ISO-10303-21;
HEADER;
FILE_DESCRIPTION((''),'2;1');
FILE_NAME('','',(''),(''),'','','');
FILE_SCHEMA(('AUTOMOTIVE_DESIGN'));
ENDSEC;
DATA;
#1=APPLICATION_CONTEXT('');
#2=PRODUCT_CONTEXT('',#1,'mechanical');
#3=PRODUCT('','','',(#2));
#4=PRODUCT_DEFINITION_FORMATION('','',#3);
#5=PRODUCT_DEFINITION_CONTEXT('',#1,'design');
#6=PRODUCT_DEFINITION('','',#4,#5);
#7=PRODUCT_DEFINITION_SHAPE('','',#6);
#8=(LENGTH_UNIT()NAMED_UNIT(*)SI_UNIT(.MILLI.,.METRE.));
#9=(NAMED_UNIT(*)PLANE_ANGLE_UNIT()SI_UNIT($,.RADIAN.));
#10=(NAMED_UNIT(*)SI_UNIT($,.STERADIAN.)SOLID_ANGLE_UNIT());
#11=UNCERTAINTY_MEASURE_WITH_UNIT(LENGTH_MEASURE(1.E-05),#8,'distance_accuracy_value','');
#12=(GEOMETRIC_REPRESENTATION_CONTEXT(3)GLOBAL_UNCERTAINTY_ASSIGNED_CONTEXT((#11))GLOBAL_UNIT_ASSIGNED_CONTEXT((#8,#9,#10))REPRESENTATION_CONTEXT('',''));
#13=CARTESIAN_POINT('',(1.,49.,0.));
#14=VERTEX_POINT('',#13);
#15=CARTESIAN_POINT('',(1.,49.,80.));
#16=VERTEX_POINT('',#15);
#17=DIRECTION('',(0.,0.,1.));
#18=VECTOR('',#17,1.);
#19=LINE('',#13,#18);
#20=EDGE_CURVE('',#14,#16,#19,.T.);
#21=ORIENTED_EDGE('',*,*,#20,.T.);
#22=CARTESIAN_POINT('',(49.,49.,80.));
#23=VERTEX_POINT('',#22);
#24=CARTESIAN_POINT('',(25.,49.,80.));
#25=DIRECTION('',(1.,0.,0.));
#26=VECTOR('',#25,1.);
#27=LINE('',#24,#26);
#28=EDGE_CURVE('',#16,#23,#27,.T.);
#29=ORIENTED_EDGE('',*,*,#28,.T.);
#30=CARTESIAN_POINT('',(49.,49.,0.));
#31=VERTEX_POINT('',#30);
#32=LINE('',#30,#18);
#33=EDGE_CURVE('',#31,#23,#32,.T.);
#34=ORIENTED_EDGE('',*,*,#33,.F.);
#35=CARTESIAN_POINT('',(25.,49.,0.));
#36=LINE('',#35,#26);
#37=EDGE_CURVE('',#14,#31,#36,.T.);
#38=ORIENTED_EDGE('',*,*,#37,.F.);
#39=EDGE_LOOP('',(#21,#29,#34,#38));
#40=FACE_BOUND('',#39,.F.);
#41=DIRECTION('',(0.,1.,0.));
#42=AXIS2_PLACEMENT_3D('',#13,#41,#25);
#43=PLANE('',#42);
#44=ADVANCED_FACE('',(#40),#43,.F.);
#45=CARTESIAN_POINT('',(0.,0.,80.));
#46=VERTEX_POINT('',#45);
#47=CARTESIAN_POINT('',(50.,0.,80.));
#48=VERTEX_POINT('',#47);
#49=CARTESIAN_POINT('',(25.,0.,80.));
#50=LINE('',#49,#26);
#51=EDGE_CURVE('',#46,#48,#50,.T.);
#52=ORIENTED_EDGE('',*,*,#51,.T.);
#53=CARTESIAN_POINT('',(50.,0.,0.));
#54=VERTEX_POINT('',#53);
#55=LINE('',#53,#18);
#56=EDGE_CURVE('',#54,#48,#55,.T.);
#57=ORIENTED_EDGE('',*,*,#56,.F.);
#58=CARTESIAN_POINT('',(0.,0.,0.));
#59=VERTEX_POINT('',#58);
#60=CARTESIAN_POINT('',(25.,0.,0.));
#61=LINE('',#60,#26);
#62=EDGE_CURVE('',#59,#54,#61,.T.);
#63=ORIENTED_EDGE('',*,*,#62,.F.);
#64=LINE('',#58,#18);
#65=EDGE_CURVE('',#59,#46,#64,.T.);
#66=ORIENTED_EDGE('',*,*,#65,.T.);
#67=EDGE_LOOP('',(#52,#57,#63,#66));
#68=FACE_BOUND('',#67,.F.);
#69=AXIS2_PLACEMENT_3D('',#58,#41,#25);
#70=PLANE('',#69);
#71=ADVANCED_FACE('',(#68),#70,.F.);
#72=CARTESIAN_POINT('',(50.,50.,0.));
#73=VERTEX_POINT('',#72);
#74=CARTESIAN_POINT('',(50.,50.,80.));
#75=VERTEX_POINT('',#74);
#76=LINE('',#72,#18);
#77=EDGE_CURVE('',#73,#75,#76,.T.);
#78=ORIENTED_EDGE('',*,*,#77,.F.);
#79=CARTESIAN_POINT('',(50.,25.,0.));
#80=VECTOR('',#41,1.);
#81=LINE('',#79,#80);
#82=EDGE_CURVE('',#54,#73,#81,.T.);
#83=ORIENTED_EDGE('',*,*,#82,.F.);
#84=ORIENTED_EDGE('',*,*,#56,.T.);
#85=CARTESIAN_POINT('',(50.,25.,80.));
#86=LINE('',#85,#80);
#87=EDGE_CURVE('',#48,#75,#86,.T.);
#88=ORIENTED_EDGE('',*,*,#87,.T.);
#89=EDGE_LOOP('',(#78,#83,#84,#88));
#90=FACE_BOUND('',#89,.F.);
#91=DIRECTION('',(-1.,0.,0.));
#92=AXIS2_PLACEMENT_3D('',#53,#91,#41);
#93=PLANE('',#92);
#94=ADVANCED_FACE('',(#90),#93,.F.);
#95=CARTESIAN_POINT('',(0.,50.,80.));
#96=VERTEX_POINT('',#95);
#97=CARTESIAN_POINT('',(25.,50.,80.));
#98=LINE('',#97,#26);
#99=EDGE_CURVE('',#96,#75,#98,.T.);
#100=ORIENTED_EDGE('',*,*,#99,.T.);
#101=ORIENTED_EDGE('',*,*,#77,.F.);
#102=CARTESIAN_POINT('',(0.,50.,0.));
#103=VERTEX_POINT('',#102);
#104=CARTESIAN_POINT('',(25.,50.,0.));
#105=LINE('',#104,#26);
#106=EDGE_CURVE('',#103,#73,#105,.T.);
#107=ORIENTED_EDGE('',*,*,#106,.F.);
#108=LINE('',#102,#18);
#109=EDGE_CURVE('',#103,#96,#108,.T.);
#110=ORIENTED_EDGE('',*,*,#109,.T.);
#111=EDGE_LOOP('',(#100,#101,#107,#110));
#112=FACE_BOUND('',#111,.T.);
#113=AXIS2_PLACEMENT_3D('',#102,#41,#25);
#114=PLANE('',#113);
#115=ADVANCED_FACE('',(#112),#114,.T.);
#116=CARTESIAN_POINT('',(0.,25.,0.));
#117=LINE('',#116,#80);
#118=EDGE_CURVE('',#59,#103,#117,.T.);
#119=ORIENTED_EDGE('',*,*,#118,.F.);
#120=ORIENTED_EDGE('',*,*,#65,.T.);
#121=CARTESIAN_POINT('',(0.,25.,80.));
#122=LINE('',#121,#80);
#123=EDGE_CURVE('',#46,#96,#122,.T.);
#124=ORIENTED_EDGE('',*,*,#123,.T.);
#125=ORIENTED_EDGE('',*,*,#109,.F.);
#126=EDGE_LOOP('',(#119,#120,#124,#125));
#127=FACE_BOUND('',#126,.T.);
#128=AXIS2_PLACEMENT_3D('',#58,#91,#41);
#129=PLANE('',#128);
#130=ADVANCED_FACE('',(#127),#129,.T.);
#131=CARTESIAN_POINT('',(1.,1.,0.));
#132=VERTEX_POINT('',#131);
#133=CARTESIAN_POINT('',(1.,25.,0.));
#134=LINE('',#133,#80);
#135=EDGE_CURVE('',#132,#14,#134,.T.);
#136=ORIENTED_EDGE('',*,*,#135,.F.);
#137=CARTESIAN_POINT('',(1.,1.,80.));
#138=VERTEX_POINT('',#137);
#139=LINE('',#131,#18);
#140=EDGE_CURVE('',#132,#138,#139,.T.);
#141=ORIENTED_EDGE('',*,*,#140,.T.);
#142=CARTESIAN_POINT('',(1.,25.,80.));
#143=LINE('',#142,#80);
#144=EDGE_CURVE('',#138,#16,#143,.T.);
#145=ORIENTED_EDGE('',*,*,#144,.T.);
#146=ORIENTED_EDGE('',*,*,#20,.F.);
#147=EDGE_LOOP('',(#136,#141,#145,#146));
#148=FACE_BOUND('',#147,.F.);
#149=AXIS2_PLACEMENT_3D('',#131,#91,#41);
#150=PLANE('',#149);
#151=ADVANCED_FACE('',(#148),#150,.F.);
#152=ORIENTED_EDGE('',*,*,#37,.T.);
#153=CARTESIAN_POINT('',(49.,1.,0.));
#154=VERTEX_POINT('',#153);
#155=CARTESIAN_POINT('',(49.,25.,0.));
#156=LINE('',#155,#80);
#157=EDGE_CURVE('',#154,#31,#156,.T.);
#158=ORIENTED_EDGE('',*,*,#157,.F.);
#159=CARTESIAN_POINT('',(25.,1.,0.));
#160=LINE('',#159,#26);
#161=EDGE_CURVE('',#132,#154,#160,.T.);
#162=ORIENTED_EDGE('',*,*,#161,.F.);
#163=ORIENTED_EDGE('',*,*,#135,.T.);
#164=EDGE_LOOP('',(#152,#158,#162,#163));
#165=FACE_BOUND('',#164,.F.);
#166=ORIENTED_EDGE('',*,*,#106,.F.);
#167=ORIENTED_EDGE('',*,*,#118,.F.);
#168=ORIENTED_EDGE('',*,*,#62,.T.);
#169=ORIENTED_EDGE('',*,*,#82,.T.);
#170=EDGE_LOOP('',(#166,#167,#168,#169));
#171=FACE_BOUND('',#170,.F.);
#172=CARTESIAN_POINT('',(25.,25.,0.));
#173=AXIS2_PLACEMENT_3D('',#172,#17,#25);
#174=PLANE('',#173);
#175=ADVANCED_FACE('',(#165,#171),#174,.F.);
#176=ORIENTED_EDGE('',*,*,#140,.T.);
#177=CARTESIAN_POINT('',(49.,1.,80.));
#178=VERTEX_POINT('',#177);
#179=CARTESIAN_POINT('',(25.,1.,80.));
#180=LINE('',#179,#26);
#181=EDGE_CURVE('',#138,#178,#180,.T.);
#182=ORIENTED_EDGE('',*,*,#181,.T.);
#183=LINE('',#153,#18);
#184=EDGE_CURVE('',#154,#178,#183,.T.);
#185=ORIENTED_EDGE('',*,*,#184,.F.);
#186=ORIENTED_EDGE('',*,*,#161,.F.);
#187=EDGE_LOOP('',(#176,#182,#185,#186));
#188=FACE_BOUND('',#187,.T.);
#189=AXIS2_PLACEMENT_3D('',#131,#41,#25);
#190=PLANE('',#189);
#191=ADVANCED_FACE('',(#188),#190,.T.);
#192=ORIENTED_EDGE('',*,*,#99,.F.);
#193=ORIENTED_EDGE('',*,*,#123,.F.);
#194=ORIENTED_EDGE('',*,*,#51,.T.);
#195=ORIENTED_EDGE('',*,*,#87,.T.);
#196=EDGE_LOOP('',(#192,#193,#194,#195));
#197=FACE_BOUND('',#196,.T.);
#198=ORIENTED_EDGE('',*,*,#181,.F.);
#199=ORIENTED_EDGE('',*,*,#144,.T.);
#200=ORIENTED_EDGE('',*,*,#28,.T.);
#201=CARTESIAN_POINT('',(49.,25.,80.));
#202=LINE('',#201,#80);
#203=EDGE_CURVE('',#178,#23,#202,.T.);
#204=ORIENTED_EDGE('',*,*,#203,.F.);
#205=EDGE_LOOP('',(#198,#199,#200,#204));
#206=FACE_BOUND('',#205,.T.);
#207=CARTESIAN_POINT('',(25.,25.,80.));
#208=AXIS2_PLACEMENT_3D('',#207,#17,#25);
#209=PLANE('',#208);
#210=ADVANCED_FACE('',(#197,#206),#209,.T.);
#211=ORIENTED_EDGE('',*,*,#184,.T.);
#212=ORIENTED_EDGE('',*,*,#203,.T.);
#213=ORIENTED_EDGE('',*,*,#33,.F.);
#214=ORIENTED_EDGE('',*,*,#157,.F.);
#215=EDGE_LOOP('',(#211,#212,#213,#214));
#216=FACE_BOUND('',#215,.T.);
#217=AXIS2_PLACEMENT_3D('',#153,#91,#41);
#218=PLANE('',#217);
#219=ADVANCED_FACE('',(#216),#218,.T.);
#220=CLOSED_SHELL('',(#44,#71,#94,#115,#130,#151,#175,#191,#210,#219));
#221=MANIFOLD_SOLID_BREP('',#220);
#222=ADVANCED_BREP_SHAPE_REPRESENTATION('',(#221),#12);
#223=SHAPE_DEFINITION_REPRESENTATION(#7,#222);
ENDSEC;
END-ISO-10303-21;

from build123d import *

# Parameters (mm, degrees)
BOX001_W     = 48
BOX001_H     = 48
BOX001_DEPTH = 80
BOX_W        = 50
BOX_H        = 50
BOX_DEPTH    = 80


with BuildPart() as cubo:
    # Box001 → Box001 (new body)
    with BuildSketch(Plane(origin=(1, 1, 0), x_dir=(1, 0, 0), z_dir=(0, 0, 1))):
        with Locations((24, 24)):
            Rectangle(BOX001_W, BOX001_H)
    extrude(amount=BOX001_DEPTH)


with BuildPart() as cut:
    # Box → Box (new body)
    with BuildSketch(Plane.XY):
        with Locations((25, 25)):
            Rectangle(BOX_W, BOX_H)
    extrude(amount=BOX_DEPTH)

    # Cut: cut Cubo
    add(cubo.part, mode=Mode.SUBTRACT)


solid = cut.part
